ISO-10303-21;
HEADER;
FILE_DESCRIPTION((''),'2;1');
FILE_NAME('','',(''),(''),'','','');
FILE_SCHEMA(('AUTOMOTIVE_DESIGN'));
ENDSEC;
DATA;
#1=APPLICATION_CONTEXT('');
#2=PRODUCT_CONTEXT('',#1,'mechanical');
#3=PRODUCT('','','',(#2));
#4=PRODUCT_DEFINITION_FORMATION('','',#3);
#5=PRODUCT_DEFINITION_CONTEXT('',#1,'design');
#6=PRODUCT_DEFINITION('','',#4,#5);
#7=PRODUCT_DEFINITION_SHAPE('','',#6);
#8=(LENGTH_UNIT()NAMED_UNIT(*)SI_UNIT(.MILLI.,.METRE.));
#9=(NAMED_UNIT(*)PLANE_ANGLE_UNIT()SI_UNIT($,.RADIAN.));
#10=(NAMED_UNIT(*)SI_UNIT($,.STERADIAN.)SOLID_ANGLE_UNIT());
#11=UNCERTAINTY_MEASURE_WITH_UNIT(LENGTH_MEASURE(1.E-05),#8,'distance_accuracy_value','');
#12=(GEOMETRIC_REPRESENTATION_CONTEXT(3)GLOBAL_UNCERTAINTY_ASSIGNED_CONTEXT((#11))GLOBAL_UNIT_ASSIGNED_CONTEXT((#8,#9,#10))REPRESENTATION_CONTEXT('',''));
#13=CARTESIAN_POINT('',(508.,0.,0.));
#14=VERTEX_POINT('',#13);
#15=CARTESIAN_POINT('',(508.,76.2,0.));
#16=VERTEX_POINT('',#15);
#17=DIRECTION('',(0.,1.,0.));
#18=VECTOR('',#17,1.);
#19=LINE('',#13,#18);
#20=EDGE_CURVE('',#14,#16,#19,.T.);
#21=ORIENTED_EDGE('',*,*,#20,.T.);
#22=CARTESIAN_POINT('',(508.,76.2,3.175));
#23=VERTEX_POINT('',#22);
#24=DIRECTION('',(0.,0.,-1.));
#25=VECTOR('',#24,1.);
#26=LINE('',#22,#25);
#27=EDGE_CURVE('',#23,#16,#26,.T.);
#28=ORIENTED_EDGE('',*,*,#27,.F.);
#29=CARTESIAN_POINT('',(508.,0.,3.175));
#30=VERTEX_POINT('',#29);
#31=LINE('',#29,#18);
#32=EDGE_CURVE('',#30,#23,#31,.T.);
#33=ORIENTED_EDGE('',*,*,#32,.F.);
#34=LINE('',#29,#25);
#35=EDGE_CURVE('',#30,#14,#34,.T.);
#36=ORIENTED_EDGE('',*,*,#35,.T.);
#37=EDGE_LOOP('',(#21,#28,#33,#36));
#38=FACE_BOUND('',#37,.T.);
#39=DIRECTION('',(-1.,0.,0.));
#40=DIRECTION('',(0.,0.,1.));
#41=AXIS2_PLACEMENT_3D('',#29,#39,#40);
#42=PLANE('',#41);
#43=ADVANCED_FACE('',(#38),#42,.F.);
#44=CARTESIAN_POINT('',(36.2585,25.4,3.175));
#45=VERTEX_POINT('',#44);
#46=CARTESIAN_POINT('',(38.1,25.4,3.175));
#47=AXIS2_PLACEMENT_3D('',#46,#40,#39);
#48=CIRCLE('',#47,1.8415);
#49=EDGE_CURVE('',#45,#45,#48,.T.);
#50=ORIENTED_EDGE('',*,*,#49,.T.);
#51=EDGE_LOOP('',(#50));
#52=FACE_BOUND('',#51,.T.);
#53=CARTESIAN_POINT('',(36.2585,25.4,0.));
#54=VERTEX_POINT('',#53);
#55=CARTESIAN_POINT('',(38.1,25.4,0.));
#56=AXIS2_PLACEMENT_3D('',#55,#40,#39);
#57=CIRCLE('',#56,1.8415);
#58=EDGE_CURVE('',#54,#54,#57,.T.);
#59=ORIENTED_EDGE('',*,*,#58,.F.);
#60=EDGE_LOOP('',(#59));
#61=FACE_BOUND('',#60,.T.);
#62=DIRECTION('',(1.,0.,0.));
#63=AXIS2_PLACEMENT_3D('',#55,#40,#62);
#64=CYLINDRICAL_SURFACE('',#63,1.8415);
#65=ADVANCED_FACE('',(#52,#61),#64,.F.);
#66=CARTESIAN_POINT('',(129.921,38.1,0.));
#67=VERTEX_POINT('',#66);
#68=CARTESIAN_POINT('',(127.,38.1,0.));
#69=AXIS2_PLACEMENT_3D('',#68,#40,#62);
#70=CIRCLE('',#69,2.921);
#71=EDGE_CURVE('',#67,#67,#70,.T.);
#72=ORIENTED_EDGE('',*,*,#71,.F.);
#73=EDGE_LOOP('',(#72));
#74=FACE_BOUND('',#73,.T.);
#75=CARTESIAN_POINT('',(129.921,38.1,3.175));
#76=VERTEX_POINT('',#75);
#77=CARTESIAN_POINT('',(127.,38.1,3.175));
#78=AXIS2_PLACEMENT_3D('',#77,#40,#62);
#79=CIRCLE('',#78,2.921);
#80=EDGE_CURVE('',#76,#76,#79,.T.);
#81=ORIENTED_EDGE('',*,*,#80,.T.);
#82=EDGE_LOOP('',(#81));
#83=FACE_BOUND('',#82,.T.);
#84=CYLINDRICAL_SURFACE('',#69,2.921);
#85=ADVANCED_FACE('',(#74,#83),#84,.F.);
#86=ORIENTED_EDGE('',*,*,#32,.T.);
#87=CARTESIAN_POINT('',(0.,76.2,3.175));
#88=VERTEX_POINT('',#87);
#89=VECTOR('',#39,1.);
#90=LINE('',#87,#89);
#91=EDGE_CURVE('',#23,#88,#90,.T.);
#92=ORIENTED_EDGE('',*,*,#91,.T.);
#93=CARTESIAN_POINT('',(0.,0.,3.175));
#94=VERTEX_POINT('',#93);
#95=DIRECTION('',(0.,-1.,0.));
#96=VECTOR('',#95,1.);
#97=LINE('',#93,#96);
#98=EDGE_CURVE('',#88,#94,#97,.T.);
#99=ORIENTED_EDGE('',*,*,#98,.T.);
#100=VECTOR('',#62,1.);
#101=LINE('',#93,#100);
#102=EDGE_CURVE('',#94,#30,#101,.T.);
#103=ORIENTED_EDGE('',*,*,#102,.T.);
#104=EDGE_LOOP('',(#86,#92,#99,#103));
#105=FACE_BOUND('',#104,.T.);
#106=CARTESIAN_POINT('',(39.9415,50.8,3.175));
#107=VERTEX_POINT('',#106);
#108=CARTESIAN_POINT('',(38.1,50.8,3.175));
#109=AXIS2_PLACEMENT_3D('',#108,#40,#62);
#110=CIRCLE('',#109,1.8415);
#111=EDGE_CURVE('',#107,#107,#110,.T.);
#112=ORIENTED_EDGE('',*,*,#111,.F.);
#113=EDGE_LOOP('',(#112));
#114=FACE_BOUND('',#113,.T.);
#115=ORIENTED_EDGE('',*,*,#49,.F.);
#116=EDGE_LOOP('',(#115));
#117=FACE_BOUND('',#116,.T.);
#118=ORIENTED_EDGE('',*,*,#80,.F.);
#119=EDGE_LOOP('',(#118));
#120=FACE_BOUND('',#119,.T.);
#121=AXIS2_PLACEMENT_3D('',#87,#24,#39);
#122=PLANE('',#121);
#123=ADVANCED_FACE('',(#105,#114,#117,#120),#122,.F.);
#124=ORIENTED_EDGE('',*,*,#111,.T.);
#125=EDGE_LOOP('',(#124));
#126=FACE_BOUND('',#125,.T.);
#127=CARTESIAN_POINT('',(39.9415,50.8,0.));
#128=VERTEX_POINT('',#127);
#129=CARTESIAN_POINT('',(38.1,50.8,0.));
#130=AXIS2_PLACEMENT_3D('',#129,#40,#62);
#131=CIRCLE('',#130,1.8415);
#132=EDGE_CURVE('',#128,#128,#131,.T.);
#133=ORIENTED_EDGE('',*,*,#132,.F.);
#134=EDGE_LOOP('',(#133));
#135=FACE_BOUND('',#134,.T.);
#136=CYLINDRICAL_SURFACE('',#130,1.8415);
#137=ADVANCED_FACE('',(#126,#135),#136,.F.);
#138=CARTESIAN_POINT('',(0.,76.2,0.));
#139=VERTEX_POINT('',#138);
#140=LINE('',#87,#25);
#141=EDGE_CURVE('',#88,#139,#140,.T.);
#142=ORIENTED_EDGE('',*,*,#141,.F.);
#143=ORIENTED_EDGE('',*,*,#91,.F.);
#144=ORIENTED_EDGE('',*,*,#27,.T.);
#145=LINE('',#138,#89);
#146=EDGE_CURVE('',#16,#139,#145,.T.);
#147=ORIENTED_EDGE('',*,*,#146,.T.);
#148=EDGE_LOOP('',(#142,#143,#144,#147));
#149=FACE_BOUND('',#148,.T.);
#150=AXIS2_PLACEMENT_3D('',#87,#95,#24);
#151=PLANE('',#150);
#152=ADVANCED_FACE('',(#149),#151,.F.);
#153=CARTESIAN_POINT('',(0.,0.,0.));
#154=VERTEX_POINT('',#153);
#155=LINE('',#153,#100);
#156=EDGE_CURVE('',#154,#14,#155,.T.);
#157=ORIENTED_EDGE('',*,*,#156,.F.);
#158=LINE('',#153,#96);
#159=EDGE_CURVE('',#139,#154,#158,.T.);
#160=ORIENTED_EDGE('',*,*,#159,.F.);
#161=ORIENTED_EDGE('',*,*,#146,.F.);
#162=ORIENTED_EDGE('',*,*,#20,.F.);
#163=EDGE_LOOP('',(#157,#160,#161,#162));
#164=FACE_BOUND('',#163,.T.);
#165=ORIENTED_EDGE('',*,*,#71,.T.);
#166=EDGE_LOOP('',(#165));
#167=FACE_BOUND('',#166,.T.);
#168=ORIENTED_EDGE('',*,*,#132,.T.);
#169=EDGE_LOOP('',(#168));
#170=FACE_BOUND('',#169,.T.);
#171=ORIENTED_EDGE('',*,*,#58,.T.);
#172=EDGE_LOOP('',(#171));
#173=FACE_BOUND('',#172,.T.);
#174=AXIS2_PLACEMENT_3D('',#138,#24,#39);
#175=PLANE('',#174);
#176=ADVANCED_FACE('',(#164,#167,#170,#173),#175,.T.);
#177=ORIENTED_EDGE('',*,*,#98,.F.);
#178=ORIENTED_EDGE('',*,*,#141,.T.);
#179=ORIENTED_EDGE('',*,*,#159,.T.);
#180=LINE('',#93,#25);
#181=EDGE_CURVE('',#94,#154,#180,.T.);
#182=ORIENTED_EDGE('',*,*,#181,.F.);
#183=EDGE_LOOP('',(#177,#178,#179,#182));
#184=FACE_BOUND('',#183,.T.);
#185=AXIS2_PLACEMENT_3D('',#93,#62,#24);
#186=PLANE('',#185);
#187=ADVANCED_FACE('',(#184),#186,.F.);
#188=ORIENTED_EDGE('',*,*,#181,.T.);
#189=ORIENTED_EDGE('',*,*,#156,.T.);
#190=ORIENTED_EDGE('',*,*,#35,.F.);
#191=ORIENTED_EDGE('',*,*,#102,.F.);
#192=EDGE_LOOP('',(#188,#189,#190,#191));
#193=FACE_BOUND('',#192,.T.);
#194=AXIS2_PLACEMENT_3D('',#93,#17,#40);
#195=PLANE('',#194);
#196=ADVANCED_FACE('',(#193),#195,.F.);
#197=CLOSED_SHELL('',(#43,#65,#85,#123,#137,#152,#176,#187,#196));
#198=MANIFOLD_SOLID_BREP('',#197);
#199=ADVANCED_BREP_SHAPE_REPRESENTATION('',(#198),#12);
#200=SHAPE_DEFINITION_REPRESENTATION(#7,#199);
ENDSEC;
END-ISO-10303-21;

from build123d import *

# Parameters (mm, degrees)
SKETCH1_W            = 508
SKETCH1_H            = 76.2
BASIC_PLANK_DEPTH    = 3.175
SKETCH3_R            = 1.8415
CUT_EXTRUDE4_DEPTH   = 4.175
SKETCH4_R            = 2.921
THROUGH_TRIPOD_DEPTH = 4.175


with BuildPart() as part:
    # Sketch1 → basic_plank (new body)
    with BuildSketch(Plane.XY):
        with Locations((254, 38.1)):
            Rectangle(SKETCH1_W, SKETCH1_H)
    extrude(amount=BASIC_PLANK_DEPTH)

    # Sketch3 → Cut-Extrude4 (cut, through all)
    with BuildSketch(Plane.XY.offset(3.175)):
        with Locations((38.1, 50.8)):
            Circle(SKETCH3_R)
        with Locations((38.1, 25.4)):
            Circle(SKETCH3_R)
    extrude(amount=-CUT_EXTRUDE4_DEPTH, mode=Mode.SUBTRACT)

    # Sketch4 → through_tripod (cut, through all)
    with BuildSketch(Plane.XY.offset(3.175)):
        with Locations((127, 38.1)):
            Circle(SKETCH4_R)
    extrude(amount=-THROUGH_TRIPOD_DEPTH, mode=Mode.SUBTRACT)


solid = part.part
